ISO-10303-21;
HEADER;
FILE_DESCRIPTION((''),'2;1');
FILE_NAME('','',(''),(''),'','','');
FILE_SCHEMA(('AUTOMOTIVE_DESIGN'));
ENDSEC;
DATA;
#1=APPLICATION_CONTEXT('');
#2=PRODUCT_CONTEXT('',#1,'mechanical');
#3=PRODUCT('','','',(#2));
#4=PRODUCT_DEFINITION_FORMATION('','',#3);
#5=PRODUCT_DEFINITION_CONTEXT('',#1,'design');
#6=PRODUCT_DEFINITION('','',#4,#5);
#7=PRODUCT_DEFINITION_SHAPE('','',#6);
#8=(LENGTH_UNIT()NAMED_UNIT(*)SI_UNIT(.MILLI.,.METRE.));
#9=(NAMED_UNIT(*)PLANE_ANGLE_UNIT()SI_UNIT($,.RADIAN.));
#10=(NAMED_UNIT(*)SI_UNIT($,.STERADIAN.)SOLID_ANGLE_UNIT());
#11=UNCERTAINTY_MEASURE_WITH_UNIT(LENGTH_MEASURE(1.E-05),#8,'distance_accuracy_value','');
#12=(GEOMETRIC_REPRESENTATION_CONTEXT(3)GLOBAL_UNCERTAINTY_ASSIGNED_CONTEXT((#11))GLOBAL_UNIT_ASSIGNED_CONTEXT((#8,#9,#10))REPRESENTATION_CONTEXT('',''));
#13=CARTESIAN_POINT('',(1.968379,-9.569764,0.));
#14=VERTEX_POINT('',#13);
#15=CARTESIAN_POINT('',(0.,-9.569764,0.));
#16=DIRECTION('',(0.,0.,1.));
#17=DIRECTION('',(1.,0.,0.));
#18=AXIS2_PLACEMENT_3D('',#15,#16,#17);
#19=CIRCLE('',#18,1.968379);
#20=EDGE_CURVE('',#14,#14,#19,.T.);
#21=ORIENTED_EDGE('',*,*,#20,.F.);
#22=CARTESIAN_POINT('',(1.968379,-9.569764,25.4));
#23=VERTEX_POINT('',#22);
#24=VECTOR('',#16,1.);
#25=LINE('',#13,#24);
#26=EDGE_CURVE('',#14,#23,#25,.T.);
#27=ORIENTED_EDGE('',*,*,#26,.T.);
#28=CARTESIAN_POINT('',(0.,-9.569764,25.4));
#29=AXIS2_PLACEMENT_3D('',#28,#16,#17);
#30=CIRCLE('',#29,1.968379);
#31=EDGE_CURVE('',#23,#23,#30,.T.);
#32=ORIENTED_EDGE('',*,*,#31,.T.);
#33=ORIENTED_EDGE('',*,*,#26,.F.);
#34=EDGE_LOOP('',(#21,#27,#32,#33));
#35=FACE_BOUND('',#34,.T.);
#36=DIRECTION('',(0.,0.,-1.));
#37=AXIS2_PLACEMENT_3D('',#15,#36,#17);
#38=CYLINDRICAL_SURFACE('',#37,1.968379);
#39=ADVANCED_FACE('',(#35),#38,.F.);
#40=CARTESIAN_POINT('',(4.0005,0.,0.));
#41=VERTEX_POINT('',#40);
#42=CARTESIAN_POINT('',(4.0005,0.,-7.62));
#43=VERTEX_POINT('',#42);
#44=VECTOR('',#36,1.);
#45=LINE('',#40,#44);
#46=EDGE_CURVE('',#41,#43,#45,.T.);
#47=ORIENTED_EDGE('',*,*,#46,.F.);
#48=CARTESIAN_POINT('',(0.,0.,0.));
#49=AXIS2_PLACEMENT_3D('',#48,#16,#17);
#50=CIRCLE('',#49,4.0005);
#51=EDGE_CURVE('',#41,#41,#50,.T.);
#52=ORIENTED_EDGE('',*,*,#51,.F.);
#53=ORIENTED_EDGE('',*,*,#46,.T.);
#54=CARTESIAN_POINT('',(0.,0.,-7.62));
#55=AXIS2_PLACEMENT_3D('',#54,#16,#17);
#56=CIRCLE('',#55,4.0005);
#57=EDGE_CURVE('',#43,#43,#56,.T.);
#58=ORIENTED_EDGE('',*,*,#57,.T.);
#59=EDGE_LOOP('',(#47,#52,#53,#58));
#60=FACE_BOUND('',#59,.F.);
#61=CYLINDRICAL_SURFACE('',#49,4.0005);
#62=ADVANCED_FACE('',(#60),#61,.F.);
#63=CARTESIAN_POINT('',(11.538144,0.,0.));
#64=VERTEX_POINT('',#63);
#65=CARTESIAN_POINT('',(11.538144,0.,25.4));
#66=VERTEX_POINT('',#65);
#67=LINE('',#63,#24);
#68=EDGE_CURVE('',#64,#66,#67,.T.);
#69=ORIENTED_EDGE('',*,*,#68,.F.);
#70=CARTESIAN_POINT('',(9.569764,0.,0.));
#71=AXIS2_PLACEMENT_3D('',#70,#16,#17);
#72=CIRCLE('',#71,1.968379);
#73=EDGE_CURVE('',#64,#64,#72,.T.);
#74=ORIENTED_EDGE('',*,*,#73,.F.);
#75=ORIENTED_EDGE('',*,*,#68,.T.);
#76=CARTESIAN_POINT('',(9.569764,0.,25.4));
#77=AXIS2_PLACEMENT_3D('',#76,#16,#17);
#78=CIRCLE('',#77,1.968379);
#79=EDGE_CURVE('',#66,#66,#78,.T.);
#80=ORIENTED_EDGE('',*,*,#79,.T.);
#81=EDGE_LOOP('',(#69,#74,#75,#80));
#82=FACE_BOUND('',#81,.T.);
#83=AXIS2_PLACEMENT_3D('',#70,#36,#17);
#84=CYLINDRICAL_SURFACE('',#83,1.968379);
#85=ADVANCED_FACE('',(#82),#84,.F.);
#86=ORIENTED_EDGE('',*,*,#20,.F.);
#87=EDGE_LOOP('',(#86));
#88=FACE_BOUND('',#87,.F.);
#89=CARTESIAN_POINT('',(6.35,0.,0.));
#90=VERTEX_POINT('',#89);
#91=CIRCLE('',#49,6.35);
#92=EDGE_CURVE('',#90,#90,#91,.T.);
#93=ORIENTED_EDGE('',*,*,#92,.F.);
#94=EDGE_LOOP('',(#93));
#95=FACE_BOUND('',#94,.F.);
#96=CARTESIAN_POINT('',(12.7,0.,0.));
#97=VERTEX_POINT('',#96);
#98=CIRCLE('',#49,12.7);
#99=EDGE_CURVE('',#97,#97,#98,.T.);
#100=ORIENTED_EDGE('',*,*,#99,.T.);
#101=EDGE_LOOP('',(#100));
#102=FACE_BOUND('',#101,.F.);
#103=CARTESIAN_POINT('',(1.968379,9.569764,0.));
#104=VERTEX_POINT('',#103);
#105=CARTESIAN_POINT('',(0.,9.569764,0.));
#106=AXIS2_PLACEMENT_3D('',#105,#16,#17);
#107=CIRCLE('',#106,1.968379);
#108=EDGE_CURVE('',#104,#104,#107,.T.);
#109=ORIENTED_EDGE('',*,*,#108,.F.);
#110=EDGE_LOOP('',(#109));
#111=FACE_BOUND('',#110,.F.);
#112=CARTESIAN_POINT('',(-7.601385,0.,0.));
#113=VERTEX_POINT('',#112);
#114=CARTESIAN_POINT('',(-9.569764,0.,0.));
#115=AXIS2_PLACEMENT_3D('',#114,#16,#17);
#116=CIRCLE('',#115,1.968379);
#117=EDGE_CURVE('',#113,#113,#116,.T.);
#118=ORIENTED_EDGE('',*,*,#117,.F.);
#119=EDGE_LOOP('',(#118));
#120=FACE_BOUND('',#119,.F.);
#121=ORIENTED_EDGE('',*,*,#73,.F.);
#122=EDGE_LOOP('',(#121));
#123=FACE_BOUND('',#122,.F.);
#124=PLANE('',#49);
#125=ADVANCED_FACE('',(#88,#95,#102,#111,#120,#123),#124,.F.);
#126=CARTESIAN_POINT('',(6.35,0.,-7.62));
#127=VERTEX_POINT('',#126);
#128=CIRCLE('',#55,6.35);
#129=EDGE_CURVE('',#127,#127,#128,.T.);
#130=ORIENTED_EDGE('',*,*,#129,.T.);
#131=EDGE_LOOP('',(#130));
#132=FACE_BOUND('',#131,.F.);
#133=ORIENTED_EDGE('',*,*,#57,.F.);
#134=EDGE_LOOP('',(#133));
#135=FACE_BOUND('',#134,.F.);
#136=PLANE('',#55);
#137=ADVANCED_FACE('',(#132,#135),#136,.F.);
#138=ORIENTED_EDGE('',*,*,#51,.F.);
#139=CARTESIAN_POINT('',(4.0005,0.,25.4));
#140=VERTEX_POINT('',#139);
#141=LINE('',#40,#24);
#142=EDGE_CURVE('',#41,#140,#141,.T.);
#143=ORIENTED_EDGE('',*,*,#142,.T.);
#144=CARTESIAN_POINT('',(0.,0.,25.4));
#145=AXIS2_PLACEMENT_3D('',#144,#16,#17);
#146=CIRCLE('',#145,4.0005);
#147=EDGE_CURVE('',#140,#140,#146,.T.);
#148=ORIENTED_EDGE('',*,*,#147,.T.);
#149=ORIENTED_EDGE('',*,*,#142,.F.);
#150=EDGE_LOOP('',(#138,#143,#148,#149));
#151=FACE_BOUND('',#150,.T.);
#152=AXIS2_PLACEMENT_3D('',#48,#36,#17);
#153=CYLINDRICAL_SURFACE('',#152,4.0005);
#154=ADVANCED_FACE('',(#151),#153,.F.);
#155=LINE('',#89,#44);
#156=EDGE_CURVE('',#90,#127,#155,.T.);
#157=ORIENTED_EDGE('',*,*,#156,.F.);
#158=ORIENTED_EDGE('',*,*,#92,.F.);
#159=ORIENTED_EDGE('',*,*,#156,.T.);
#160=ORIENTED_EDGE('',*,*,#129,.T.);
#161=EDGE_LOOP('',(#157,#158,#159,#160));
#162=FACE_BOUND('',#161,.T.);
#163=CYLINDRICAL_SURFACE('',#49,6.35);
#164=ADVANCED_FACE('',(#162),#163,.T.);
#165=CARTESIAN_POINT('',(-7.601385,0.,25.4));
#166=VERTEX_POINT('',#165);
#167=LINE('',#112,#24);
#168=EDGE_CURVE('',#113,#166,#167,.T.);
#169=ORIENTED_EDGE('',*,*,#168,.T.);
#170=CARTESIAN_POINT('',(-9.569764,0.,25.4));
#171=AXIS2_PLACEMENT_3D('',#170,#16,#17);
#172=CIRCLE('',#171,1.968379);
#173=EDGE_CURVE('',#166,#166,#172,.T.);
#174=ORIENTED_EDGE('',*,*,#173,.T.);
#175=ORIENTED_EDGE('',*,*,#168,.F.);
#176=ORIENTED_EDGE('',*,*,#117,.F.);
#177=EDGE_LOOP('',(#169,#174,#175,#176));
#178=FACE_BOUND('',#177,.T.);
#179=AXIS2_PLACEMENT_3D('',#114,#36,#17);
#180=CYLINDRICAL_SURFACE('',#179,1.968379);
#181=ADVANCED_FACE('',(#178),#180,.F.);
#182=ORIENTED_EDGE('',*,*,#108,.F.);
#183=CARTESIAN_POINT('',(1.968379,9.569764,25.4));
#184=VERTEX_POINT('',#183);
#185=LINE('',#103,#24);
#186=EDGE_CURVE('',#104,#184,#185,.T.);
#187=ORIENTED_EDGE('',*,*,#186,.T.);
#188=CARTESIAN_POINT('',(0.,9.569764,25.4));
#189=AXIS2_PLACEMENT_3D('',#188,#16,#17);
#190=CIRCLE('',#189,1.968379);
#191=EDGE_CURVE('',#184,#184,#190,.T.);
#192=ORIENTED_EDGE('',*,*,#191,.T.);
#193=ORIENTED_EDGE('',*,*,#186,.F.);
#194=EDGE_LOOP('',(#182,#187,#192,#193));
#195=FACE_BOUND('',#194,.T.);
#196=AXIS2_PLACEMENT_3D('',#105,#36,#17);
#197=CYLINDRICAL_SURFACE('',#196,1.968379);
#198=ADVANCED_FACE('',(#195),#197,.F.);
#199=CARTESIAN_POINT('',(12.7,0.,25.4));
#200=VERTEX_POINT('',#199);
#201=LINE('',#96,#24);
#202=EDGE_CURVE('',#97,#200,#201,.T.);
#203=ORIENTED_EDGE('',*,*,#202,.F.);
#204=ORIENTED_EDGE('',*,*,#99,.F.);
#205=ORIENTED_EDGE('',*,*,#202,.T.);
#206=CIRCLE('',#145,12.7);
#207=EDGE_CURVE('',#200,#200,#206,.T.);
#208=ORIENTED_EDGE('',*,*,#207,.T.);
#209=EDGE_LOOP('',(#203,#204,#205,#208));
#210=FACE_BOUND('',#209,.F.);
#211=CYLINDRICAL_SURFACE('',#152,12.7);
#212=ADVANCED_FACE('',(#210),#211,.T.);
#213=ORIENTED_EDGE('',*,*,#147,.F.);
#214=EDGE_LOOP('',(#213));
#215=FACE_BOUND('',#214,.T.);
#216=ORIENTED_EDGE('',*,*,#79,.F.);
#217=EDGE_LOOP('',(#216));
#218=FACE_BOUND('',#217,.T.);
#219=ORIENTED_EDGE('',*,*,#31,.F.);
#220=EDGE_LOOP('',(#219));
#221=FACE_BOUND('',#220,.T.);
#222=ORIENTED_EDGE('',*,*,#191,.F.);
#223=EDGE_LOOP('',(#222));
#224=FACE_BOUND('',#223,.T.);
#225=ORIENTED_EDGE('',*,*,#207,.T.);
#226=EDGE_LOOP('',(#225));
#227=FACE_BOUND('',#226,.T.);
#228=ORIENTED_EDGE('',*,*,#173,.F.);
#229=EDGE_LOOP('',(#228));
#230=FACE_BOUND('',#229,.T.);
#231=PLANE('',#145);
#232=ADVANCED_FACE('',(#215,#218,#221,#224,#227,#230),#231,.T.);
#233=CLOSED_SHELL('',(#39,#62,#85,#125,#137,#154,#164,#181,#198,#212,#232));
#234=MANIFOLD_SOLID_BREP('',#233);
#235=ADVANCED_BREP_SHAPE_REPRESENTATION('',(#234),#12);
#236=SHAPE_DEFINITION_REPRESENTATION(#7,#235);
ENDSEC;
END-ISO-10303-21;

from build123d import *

# Parameters (mm, degrees)
F0_R     = 12.7
F0_R_2   = 1.968379445
F0_R_3   = 6.35
F0_R_4   = 4.0005
F1_DEPTH = 25.4
F2_DEPTH = 7.62


with BuildPart() as f1:
    # F0 (on Top) → F1 (new body)
    with BuildSketch(Plane.XY):
        Circle(F0_R)
        with Locations((0, -9.5697641373)):
            Circle(F0_R_2, mode=Mode.SUBTRACT)
        with Locations((-9.5697641373, 0)):
            Circle(F0_R_2, mode=Mode.SUBTRACT)
        Circle(F0_R_3, mode=Mode.SUBTRACT)
        with Locations((9.5697641373, 0)):
            Circle(F0_R_2, mode=Mode.SUBTRACT)
        with Locations((0, 9.5697641373)):
            Circle(F0_R_2, mode=Mode.SUBTRACT)
        Circle(F0_R_3)
        Circle(F0_R_4, mode=Mode.SUBTRACT)
    extrude(amount=F1_DEPTH)

    # F0 (on Top) → F2 (join)
    with BuildSketch(Plane.XY):
        Circle(F0_R_3)
        Circle(F0_R_4, mode=Mode.SUBTRACT)
    extrude(amount=-F2_DEPTH)


solid = f1.part
